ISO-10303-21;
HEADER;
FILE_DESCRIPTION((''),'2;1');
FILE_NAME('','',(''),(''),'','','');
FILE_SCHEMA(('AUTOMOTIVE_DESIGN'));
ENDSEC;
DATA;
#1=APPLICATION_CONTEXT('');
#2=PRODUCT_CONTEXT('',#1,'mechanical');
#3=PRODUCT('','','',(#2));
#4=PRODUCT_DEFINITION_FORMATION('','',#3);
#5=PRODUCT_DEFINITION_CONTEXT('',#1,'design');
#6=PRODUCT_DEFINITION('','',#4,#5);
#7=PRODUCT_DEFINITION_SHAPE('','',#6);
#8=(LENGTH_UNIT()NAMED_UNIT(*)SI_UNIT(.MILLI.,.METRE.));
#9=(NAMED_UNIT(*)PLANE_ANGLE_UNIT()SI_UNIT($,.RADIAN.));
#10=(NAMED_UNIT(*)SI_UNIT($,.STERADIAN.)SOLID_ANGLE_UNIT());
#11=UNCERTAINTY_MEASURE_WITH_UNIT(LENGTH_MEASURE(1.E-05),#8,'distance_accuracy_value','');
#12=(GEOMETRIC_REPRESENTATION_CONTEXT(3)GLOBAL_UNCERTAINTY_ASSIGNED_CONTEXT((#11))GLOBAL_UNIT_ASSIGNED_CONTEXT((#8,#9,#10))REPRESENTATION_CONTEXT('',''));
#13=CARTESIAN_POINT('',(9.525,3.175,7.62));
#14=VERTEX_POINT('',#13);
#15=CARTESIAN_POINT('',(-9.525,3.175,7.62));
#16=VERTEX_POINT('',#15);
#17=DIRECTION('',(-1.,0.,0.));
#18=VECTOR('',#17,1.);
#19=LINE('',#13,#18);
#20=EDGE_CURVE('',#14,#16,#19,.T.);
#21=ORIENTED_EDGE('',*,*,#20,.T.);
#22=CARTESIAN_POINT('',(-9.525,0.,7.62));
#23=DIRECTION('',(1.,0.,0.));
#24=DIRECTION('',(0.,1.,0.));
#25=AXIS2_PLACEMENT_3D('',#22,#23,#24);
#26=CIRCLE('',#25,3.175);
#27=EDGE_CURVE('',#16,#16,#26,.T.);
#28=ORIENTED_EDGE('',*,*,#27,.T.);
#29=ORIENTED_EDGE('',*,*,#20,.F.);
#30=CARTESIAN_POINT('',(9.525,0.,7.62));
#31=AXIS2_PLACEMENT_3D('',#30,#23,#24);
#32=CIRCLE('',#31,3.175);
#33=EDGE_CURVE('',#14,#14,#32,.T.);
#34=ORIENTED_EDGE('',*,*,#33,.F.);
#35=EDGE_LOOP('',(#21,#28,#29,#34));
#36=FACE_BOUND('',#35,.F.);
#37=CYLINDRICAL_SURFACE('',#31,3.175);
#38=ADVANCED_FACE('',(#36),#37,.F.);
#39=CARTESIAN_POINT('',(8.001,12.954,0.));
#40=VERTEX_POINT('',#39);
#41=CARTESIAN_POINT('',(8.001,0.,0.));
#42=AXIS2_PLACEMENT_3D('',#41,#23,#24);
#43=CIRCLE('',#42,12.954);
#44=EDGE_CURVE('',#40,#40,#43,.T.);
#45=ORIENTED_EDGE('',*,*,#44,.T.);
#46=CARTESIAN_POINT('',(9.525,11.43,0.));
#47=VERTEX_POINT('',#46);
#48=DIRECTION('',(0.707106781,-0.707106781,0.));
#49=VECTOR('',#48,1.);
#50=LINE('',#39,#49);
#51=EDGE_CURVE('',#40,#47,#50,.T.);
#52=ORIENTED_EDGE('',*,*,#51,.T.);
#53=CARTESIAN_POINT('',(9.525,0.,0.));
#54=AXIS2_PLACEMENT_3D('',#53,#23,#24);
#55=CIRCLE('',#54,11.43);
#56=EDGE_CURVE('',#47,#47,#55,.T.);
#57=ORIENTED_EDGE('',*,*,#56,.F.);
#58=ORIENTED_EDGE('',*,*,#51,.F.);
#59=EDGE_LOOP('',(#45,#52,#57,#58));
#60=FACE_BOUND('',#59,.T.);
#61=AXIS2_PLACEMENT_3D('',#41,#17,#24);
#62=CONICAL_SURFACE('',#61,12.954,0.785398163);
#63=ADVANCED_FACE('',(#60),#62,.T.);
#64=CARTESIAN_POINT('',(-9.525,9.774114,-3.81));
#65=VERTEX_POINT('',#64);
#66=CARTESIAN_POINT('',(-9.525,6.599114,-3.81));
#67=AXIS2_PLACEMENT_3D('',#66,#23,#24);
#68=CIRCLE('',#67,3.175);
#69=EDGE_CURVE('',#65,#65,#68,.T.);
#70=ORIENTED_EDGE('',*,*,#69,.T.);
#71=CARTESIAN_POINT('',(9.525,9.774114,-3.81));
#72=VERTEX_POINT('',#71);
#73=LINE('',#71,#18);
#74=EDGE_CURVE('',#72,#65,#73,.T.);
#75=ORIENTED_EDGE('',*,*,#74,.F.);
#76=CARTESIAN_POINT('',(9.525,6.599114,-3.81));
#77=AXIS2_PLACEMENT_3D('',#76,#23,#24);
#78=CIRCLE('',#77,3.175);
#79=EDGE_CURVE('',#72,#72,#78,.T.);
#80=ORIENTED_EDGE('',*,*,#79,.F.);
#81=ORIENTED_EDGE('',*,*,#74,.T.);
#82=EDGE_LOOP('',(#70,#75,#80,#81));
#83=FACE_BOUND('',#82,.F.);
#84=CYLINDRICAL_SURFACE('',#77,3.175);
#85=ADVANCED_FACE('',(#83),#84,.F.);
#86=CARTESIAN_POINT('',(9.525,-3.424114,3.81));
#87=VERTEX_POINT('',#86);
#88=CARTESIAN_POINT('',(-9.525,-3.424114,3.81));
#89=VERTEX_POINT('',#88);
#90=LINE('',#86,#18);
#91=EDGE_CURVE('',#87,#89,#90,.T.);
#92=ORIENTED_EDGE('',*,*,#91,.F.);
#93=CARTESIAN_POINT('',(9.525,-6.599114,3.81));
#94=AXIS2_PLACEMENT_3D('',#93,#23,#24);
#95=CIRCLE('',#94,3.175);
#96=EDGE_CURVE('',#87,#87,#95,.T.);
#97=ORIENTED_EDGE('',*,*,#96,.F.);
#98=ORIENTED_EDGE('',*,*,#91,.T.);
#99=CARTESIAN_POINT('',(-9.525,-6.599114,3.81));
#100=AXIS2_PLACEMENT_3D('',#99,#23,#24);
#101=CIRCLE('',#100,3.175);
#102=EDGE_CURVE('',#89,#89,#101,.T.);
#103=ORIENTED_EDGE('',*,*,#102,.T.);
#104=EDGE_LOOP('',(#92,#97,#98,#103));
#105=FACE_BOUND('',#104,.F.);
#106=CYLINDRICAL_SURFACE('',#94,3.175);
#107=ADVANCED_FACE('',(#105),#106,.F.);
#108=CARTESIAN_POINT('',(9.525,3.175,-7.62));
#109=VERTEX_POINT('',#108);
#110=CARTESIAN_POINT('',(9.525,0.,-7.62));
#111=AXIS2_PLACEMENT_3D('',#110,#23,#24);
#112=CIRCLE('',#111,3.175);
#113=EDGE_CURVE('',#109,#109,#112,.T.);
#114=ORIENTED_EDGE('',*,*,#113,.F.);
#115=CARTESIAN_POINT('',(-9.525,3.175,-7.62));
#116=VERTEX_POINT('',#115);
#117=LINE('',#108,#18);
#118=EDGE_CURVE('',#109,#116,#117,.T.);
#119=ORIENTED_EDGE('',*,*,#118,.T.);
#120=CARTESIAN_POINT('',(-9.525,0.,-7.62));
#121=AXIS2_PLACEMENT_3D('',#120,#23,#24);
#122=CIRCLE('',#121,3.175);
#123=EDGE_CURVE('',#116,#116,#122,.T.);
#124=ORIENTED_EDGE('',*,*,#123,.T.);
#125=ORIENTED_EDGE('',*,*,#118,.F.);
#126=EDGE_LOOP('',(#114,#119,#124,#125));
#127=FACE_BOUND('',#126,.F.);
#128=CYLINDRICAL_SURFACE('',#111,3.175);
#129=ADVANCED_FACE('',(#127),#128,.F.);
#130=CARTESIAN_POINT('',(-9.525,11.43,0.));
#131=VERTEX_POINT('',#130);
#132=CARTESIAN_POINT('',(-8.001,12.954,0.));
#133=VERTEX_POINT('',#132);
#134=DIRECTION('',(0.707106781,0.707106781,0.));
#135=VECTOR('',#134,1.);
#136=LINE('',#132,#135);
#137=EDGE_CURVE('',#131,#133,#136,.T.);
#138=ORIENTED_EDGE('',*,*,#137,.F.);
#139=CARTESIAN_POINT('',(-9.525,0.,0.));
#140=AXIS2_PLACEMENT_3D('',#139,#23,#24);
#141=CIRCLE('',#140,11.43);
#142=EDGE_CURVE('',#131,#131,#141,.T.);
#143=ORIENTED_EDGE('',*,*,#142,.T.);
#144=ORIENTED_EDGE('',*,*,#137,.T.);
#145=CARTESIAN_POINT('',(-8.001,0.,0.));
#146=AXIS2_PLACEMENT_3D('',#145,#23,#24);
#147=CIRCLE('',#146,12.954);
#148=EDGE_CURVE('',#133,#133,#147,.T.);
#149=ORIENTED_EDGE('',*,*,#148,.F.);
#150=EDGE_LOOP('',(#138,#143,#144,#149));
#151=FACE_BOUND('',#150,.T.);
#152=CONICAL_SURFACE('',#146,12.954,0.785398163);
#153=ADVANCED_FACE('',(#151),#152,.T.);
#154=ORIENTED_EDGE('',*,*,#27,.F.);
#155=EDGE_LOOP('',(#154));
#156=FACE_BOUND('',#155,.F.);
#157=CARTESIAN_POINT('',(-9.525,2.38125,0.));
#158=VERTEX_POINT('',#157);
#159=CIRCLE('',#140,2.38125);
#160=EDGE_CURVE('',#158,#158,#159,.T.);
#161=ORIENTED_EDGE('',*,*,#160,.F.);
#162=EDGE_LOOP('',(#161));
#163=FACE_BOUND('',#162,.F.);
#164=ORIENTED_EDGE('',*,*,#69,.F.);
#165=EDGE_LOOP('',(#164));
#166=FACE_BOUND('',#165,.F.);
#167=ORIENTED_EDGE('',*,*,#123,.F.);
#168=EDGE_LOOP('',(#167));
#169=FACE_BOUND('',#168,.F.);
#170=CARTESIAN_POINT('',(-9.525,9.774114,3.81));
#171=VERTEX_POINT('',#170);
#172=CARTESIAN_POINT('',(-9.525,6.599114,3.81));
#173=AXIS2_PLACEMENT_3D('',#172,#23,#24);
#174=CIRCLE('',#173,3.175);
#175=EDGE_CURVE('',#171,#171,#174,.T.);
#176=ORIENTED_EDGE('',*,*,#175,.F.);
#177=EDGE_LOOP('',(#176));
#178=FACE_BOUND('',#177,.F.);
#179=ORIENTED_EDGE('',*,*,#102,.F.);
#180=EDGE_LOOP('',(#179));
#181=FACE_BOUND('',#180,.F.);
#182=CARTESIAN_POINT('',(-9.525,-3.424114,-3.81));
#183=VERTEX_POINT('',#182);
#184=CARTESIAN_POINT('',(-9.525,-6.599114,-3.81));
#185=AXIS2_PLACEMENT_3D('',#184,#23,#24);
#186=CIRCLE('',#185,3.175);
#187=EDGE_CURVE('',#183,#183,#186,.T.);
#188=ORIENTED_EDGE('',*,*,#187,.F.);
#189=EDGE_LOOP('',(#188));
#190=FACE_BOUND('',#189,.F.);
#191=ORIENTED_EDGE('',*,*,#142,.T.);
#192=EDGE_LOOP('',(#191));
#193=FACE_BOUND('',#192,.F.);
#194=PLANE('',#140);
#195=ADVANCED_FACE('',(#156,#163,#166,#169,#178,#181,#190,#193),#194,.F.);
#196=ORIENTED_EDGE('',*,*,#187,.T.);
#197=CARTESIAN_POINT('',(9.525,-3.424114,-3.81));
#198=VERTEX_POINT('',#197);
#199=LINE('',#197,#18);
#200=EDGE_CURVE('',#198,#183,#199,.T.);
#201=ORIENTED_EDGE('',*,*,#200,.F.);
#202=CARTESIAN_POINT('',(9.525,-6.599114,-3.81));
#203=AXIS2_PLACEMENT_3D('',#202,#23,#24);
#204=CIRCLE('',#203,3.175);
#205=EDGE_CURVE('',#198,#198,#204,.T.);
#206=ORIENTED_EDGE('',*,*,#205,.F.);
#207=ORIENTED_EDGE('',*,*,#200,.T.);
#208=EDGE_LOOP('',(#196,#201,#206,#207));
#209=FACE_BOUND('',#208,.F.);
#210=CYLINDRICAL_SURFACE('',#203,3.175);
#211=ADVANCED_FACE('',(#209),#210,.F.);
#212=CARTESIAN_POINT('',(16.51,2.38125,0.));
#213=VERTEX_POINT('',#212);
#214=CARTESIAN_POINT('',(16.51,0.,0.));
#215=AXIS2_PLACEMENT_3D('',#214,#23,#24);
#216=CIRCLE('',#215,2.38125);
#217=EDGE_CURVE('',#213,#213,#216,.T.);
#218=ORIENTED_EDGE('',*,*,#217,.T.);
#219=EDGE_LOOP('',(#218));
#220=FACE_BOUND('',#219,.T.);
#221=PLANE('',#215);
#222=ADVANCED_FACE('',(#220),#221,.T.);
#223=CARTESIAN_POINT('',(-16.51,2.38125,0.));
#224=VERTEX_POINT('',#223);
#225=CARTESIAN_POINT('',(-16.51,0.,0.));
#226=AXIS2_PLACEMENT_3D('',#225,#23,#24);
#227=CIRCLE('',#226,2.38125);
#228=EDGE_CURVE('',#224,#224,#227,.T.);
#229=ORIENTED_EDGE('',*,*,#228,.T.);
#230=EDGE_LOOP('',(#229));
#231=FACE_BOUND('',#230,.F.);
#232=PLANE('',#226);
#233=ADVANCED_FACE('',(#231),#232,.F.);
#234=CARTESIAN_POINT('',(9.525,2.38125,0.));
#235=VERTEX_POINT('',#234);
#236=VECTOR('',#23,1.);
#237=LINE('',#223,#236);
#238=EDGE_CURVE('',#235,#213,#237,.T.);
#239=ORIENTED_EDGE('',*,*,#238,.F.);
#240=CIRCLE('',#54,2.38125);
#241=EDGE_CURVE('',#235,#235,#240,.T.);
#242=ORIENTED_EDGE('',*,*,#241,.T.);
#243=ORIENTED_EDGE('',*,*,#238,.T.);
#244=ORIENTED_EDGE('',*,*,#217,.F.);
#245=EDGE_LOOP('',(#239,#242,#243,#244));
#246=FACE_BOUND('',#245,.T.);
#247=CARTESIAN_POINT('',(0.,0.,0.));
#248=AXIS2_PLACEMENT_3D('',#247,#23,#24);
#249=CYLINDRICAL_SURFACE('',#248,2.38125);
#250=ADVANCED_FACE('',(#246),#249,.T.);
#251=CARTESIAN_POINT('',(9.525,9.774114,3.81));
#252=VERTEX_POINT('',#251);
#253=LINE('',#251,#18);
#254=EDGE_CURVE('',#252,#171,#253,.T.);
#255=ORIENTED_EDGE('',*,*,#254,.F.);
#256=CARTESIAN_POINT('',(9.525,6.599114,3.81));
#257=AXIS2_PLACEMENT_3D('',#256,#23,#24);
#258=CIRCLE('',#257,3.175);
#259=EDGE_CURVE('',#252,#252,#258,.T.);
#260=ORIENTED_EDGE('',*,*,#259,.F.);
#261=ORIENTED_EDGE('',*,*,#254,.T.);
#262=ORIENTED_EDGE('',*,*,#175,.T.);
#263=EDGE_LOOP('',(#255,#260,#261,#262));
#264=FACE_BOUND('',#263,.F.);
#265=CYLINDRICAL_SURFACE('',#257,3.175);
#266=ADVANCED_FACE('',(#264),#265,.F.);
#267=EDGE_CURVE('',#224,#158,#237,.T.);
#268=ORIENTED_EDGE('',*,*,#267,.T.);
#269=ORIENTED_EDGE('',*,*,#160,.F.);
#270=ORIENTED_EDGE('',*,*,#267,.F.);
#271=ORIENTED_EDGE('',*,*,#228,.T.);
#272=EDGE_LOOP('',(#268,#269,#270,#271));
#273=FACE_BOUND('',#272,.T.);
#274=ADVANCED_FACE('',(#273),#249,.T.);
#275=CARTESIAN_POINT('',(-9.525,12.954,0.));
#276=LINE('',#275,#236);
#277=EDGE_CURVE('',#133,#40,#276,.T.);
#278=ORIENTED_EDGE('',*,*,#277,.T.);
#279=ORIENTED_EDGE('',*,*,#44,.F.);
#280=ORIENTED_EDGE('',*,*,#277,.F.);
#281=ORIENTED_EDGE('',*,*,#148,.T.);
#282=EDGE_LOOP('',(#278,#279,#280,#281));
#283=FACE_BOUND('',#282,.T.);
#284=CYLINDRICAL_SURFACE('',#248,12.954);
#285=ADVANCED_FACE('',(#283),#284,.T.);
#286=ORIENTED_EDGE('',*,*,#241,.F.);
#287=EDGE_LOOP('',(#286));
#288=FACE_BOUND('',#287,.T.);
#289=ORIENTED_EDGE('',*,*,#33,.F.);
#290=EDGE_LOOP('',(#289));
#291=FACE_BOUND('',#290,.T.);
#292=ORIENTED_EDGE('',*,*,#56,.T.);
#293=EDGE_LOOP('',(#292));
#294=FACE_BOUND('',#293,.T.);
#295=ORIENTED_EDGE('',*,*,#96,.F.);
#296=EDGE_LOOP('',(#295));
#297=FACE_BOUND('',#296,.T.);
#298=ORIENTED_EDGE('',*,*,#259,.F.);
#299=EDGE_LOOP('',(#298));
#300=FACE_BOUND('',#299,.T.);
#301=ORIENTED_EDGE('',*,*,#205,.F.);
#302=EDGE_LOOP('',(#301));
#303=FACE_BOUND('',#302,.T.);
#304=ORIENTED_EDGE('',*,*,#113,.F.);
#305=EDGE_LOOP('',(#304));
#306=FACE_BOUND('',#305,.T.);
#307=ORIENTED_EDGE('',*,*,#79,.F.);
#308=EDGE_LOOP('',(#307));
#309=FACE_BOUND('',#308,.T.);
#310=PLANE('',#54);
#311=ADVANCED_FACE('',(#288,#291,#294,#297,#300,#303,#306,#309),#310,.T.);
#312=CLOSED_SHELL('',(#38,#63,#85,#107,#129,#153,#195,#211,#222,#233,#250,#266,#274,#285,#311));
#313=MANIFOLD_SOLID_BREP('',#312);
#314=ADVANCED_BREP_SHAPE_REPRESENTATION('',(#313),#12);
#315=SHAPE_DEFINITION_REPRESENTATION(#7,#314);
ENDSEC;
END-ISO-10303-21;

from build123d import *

# Parameters (mm, degrees)
F0_R     = 12.954
F0_R_2   = 2.38125
F1_DEPTH = 9.525
F2_DEPTH = 16.51
F3_R     = 3.175
F4_DEPTH = 26.036
F5_SIZE  = 1.524


with BuildPart() as f1:
    # F0 (on Right) → F1 (new body, symmetric)
    with BuildSketch(Plane.YZ):
        Circle(F0_R)
        Circle(F0_R_2, mode=Mode.SUBTRACT)
    extrude(amount=F1_DEPTH, both=True)

    # F0 (on Right) → F2 (join, symmetric)
    with BuildSketch(Plane.YZ):
        Circle(F0_R_2)
    extrude(amount=F2_DEPTH, both=True)

    # F3 (on face) → F4 (cut, through all)
    with BuildSketch(Plane.YZ.offset(9.525)):
        with Locations((0, 7.62)):
            Circle(F3_R)
        with Locations((-6.5991135768, 3.81)):
            Circle(F3_R)
        with Locations((-6.5991135768, -3.81)):
            Circle(F3_R)
        with Locations((0, -7.62)):
            Circle(F3_R)
        with Locations((6.5991135768, -3.81)):
            Circle(F3_R)
        with Locations((6.5991135768, 3.81)):
            Circle(F3_R)
    extrude(amount=-F4_DEPTH, mode=Mode.SUBTRACT)

    # F5
    f5_edges = [f1.edges().sort_by_distance(p)[0] for p in [
        (9.525, -12.954, 0),
        (-9.525, -12.954, 0),
    ]]
    chamfer(f5_edges, length=F5_SIZE)


solid = f1.part
